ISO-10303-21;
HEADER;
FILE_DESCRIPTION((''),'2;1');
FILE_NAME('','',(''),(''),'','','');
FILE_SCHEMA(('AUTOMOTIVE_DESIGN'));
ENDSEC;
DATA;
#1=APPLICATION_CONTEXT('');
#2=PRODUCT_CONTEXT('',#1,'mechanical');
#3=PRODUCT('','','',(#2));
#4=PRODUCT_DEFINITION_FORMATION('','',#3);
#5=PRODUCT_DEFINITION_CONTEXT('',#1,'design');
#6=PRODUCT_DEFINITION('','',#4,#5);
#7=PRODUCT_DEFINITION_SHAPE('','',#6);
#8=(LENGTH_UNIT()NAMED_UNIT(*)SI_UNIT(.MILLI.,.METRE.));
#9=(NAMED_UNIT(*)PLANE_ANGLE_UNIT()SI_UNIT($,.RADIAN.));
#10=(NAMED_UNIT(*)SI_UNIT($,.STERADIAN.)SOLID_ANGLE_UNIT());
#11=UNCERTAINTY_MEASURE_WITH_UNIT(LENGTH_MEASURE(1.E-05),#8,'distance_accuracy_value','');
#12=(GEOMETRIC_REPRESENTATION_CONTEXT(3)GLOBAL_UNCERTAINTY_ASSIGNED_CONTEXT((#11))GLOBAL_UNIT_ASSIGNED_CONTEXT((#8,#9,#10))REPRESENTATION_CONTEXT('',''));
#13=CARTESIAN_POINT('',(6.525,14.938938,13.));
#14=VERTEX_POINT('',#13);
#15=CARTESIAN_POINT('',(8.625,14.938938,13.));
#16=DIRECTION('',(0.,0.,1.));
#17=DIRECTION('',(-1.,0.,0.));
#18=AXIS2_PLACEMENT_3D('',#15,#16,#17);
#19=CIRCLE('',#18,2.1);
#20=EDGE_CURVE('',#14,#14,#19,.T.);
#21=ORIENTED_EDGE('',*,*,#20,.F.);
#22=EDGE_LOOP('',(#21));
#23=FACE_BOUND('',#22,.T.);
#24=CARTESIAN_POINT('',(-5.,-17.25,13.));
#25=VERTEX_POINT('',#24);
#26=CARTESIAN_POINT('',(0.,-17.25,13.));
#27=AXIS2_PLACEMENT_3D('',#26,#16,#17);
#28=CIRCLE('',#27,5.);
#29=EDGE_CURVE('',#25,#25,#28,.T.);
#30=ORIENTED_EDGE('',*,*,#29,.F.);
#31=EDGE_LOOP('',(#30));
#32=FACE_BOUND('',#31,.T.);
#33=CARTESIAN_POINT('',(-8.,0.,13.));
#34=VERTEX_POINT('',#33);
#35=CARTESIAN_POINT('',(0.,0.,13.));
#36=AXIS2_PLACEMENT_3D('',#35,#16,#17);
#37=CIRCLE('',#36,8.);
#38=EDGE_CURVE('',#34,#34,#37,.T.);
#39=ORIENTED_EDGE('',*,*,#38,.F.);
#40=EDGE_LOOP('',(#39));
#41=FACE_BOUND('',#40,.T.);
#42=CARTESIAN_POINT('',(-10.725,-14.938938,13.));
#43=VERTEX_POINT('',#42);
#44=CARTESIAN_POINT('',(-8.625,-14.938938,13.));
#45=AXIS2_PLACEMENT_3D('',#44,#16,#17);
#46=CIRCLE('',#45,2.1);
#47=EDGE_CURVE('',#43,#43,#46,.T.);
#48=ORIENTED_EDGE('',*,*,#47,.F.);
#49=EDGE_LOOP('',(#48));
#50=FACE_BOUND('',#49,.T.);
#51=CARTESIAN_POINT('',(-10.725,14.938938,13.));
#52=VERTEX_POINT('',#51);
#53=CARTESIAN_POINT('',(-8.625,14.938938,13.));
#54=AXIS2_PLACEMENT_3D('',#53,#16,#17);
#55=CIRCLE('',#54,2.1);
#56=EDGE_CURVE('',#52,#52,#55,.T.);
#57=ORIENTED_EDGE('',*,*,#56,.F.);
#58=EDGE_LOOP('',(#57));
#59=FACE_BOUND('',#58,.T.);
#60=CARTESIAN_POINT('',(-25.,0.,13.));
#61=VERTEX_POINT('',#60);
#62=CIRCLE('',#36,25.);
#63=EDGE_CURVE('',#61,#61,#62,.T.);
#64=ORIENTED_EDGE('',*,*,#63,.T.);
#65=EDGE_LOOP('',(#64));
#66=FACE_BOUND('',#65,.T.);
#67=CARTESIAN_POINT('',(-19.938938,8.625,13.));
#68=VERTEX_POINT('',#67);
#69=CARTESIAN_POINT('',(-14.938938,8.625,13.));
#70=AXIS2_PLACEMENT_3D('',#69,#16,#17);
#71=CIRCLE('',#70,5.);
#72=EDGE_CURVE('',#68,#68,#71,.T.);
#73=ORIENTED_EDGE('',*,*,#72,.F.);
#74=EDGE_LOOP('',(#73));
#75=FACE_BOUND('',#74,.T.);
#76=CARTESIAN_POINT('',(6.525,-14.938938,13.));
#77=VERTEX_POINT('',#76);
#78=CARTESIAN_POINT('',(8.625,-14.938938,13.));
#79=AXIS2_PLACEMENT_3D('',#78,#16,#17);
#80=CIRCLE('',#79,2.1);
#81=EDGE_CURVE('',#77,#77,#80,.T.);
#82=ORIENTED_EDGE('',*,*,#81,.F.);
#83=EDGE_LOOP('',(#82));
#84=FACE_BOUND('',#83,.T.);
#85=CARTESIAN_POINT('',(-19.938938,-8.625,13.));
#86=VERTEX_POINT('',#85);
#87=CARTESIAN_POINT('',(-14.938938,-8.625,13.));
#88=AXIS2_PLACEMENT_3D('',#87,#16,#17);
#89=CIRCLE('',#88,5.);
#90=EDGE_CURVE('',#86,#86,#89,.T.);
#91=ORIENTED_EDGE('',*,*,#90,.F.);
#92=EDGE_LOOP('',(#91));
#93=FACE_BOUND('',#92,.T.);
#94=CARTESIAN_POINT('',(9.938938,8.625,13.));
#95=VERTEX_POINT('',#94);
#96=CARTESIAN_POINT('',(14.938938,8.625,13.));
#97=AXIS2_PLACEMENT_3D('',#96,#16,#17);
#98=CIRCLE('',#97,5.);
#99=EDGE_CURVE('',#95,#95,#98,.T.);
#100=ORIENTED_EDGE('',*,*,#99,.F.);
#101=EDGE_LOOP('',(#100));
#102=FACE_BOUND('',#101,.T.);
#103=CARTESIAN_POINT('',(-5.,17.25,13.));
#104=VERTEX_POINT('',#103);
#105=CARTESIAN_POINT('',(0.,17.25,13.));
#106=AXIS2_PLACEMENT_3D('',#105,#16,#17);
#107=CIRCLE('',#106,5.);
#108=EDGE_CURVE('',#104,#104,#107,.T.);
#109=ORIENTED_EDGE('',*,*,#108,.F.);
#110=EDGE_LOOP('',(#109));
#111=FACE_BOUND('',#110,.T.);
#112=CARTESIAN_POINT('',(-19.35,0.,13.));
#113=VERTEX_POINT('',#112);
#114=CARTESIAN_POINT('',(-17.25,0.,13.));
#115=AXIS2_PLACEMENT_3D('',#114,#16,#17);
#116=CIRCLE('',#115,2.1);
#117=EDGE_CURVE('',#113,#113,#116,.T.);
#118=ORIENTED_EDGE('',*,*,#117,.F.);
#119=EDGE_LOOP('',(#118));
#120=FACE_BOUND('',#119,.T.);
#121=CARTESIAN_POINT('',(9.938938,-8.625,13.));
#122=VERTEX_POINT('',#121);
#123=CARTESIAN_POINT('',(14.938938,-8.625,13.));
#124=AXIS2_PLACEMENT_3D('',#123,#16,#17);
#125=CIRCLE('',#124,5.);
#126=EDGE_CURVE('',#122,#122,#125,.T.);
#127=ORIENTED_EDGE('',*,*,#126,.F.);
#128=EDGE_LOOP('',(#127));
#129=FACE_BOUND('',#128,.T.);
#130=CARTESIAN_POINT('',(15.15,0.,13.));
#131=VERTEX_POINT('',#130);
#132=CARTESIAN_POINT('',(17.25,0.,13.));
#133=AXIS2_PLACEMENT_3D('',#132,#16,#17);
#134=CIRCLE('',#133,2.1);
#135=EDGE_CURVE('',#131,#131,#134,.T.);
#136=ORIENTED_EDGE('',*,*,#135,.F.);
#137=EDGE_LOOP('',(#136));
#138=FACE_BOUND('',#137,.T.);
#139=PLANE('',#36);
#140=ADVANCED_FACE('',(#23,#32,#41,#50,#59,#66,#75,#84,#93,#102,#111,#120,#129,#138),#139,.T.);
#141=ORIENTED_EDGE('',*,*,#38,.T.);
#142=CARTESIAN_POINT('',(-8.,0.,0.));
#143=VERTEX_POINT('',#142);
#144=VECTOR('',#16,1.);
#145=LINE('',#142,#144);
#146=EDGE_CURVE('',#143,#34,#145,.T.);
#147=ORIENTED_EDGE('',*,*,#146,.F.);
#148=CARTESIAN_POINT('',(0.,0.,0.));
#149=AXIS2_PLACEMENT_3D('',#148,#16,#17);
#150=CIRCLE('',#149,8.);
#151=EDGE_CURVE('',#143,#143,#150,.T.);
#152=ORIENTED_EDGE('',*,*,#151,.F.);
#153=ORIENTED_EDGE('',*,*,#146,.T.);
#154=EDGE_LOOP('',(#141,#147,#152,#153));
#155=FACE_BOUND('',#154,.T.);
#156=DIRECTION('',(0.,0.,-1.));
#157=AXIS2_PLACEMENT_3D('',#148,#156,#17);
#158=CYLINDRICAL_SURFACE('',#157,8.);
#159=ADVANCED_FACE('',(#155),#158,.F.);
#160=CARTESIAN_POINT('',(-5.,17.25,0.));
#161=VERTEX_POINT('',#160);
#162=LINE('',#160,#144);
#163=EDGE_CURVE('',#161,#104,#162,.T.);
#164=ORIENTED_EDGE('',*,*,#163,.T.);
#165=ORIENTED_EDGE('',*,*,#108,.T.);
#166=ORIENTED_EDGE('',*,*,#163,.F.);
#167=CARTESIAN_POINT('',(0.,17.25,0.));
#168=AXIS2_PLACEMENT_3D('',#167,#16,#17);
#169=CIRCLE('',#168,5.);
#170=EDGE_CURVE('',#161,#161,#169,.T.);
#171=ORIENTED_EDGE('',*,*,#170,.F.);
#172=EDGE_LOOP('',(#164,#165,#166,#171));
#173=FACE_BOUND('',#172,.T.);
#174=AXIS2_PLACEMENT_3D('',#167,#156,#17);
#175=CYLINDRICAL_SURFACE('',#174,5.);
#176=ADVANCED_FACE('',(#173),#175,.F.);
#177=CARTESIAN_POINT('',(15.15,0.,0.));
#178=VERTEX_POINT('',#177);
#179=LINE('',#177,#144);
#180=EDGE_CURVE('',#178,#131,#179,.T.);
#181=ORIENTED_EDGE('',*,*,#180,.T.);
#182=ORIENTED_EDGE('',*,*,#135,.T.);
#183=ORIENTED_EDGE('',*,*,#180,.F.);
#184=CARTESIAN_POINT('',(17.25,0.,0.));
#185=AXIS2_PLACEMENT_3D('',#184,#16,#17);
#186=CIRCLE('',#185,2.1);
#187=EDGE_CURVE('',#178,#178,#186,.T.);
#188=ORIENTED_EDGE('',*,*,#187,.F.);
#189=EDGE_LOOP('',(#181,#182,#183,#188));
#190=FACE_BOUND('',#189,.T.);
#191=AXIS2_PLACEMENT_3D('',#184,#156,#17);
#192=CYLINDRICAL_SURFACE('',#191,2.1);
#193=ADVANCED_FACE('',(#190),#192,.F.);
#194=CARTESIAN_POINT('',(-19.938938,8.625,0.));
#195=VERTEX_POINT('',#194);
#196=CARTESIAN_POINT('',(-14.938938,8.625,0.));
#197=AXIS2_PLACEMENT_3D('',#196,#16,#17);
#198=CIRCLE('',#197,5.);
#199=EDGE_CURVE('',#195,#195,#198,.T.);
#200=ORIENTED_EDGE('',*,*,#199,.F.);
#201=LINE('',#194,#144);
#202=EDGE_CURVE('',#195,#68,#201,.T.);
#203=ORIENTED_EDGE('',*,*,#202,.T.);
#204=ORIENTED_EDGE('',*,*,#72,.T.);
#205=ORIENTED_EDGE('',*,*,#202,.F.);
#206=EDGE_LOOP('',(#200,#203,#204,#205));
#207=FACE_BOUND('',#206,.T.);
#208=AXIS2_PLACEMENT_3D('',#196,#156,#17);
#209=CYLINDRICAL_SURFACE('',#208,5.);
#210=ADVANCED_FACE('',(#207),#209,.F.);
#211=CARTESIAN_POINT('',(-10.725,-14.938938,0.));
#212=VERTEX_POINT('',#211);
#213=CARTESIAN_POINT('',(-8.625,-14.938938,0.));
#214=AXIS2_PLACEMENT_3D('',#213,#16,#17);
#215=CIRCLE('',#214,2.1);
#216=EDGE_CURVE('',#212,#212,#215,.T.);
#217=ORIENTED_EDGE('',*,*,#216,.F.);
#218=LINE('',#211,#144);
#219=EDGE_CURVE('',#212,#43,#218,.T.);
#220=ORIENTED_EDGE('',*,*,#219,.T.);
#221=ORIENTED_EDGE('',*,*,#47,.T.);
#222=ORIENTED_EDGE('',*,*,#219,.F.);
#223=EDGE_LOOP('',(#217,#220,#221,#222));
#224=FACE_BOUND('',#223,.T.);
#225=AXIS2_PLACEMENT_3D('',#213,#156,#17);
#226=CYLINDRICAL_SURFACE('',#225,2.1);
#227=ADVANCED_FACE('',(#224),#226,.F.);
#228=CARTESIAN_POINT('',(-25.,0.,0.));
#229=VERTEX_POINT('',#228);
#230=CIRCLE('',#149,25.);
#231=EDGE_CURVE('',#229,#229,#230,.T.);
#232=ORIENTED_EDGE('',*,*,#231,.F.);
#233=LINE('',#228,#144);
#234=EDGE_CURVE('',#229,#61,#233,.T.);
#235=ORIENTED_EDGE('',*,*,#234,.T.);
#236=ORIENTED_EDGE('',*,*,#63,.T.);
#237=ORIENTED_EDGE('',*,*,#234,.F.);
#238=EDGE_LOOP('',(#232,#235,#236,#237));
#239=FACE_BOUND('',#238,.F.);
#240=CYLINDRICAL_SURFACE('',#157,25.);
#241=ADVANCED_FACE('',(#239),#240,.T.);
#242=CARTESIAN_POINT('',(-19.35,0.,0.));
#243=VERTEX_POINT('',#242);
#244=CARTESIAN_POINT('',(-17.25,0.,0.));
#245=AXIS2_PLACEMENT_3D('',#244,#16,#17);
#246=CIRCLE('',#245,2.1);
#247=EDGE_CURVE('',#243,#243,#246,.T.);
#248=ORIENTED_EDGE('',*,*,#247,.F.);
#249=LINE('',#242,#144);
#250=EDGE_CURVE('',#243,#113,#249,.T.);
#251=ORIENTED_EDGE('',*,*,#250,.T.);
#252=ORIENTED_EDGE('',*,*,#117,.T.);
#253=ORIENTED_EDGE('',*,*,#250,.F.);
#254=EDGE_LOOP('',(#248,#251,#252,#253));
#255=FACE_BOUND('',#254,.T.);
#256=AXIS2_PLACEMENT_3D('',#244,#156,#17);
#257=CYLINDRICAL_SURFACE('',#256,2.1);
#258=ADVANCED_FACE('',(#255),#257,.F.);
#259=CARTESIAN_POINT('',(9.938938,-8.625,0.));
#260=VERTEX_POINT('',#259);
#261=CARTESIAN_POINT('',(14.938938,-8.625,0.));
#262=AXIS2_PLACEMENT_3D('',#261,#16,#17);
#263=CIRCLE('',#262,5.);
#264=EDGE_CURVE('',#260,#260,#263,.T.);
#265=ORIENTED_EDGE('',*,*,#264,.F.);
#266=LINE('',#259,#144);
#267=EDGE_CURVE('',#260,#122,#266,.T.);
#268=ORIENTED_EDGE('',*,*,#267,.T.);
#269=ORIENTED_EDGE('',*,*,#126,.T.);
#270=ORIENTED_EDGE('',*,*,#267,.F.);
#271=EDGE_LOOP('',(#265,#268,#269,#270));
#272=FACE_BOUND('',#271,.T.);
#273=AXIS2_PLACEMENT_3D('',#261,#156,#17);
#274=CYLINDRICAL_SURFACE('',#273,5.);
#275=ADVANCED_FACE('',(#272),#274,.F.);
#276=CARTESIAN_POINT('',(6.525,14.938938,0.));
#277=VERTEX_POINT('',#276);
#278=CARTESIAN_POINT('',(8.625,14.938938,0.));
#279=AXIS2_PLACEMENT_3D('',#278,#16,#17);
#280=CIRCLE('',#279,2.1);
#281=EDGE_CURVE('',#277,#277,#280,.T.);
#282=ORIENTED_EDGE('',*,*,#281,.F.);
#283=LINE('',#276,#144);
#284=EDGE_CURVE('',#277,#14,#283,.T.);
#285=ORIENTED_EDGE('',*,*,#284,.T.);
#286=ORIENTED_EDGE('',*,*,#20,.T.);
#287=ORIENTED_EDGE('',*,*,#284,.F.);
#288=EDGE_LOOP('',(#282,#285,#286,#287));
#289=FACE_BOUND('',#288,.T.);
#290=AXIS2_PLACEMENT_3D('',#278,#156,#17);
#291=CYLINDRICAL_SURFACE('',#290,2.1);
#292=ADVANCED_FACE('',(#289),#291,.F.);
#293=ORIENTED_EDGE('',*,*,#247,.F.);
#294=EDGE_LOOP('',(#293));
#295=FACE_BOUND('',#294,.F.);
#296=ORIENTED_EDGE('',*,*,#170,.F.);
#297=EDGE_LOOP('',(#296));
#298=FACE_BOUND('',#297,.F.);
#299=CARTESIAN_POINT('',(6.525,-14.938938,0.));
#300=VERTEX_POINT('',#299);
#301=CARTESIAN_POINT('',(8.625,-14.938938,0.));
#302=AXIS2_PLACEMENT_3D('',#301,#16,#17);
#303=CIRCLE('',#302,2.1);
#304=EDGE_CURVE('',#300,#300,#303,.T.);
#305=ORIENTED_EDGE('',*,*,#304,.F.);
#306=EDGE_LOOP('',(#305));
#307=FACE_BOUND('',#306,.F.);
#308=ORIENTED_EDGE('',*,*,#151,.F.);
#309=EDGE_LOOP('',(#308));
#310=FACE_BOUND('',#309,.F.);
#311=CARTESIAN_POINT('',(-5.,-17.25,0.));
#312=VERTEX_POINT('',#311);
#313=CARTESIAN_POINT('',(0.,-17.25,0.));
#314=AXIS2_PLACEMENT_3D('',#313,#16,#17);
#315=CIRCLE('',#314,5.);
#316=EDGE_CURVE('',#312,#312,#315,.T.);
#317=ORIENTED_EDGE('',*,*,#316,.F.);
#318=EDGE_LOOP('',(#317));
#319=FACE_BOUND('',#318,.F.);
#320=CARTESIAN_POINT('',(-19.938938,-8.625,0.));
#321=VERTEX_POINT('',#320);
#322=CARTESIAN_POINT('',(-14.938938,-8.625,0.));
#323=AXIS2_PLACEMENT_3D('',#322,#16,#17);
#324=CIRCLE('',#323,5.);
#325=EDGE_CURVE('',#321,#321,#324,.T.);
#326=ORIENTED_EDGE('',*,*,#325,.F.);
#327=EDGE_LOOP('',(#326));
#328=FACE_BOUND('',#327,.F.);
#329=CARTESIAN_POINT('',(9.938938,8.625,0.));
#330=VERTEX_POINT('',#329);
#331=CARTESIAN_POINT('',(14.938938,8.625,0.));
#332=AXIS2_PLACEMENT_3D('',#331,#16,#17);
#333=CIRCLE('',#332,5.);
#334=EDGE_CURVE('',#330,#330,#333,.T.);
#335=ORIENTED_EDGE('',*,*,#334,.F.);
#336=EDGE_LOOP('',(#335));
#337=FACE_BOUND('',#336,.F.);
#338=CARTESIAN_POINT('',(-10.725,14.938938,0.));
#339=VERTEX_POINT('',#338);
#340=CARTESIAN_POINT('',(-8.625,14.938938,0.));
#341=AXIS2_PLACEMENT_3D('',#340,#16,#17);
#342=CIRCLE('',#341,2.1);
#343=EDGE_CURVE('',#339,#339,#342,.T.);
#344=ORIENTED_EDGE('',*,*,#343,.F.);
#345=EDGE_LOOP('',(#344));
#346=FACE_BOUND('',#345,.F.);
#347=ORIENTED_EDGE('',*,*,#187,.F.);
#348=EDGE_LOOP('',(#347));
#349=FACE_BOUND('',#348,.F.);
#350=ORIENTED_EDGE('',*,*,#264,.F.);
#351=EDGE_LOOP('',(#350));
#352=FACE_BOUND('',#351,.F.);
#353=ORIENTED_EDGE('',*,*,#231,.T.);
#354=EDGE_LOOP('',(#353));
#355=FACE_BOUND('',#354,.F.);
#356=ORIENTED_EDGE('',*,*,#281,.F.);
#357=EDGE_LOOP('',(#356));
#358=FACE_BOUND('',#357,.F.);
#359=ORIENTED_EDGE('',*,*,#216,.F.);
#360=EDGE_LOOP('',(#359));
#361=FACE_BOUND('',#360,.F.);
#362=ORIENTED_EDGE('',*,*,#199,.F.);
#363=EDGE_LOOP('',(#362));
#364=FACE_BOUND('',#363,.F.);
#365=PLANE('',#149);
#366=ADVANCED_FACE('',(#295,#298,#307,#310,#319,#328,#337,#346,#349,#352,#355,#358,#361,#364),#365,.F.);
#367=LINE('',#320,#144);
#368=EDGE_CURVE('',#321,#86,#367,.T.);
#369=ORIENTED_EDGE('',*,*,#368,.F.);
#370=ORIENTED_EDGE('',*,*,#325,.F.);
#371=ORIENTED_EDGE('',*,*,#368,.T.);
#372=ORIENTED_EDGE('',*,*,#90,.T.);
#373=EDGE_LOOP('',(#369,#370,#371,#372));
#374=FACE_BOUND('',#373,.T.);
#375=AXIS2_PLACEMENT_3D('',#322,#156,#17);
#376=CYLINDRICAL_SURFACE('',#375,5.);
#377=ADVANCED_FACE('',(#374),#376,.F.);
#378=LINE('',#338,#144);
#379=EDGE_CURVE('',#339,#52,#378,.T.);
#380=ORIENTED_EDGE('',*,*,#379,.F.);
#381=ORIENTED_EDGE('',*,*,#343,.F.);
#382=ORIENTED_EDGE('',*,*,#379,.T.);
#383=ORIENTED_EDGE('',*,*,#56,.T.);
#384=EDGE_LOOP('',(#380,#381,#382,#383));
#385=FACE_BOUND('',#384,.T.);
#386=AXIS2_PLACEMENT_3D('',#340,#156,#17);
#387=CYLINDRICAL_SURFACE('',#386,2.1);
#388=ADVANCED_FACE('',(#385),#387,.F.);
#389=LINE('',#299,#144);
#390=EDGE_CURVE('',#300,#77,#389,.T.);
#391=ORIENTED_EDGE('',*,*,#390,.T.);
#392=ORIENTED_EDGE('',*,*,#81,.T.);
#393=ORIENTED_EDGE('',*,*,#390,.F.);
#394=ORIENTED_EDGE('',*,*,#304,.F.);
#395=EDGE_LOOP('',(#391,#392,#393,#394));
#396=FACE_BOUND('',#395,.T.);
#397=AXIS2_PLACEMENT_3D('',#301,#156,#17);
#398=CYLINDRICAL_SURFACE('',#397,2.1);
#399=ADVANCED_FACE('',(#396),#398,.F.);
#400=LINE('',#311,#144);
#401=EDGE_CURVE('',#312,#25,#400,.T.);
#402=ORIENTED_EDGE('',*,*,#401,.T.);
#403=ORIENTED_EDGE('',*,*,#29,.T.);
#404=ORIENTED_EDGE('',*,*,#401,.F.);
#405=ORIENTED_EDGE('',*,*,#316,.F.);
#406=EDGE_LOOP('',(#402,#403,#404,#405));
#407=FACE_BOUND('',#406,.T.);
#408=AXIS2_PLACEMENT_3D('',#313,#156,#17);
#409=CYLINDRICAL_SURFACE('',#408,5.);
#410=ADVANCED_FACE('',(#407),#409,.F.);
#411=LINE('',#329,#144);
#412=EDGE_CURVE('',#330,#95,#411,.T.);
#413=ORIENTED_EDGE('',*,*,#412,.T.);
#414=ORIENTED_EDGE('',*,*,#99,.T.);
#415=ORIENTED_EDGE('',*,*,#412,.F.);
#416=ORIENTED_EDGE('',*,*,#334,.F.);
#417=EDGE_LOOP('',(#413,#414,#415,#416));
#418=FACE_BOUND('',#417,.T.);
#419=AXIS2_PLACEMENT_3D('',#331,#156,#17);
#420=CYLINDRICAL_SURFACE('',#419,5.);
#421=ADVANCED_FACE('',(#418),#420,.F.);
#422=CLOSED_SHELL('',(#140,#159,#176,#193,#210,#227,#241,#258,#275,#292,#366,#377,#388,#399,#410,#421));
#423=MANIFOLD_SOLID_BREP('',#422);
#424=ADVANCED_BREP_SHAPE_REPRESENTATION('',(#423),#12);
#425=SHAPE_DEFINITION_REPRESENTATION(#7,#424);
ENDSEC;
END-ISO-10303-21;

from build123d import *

# Parameters (mm, degrees)
SKETCH_1_R      = 25
SKETCH_1_R_2    = 8
SKETCH_1_R_3    = 2.1
SKETCH_1_R_4    = 5
EXTRUDE_2_DEPTH = 13


with BuildPart() as part:
    # 草图1 → 凸台-拉伸2 (new body)
    with BuildSketch(Plane.XY):
        with Locations(Location((0, 0, 0), (0, 0, 180))):
            Circle(SKETCH_1_R)
        with Locations(Location((0, 0, 0), (0, 0, 180))):
            Circle(SKETCH_1_R_2, mode=Mode.SUBTRACT)
        with Locations(Location((8.625, 14.938938215, 0), (0, 0, 180))):
            Circle(SKETCH_1_R_3, mode=Mode.SUBTRACT)
        with Locations(Location((17.25, 0, 0), (0, 0, 180))):
            Circle(SKETCH_1_R_3, mode=Mode.SUBTRACT)
        with Locations(Location((8.625, -14.938938215, 0), (0, 0, 180))):
            Circle(SKETCH_1_R_3, mode=Mode.SUBTRACT)
        with Locations(Location((-8.625, -14.938938215, 0), (0, 0, 180))):
            Circle(SKETCH_1_R_3, mode=Mode.SUBTRACT)
        with Locations(Location((-17.25, 0, 0), (0, 0, 180))):
            Circle(SKETCH_1_R_3, mode=Mode.SUBTRACT)
        with Locations(Location((-8.625, 14.938938215, 0), (0, 0, 180))):
            Circle(SKETCH_1_R_3, mode=Mode.SUBTRACT)
        with Locations(Location((0, 17.25, 0), (0, 0, 180))):
            Circle(SKETCH_1_R_4, mode=Mode.SUBTRACT)
        with Locations(Location((14.938938215, 8.625, 0), (0, 0, 180))):
            Circle(SKETCH_1_R_4, mode=Mode.SUBTRACT)
        with Locations(Location((14.938938215, -8.625, 0), (0, 0, 180))):
            Circle(SKETCH_1_R_4, mode=Mode.SUBTRACT)
        with Locations(Location((-14.938938215, -8.625, 0), (0, 0, 180))):
            Circle(SKETCH_1_R_4, mode=Mode.SUBTRACT)
        with Locations(Location((-14.938938215, 8.625, 0), (0, 0, 180))):
            Circle(SKETCH_1_R_4, mode=Mode.SUBTRACT)
        with Locations(Location((0, -17.25, 0), (0, 0, 180))):
            Circle(SKETCH_1_R_4, mode=Mode.SUBTRACT)
    extrude(amount=EXTRUDE_2_DEPTH)


solid = part.part
